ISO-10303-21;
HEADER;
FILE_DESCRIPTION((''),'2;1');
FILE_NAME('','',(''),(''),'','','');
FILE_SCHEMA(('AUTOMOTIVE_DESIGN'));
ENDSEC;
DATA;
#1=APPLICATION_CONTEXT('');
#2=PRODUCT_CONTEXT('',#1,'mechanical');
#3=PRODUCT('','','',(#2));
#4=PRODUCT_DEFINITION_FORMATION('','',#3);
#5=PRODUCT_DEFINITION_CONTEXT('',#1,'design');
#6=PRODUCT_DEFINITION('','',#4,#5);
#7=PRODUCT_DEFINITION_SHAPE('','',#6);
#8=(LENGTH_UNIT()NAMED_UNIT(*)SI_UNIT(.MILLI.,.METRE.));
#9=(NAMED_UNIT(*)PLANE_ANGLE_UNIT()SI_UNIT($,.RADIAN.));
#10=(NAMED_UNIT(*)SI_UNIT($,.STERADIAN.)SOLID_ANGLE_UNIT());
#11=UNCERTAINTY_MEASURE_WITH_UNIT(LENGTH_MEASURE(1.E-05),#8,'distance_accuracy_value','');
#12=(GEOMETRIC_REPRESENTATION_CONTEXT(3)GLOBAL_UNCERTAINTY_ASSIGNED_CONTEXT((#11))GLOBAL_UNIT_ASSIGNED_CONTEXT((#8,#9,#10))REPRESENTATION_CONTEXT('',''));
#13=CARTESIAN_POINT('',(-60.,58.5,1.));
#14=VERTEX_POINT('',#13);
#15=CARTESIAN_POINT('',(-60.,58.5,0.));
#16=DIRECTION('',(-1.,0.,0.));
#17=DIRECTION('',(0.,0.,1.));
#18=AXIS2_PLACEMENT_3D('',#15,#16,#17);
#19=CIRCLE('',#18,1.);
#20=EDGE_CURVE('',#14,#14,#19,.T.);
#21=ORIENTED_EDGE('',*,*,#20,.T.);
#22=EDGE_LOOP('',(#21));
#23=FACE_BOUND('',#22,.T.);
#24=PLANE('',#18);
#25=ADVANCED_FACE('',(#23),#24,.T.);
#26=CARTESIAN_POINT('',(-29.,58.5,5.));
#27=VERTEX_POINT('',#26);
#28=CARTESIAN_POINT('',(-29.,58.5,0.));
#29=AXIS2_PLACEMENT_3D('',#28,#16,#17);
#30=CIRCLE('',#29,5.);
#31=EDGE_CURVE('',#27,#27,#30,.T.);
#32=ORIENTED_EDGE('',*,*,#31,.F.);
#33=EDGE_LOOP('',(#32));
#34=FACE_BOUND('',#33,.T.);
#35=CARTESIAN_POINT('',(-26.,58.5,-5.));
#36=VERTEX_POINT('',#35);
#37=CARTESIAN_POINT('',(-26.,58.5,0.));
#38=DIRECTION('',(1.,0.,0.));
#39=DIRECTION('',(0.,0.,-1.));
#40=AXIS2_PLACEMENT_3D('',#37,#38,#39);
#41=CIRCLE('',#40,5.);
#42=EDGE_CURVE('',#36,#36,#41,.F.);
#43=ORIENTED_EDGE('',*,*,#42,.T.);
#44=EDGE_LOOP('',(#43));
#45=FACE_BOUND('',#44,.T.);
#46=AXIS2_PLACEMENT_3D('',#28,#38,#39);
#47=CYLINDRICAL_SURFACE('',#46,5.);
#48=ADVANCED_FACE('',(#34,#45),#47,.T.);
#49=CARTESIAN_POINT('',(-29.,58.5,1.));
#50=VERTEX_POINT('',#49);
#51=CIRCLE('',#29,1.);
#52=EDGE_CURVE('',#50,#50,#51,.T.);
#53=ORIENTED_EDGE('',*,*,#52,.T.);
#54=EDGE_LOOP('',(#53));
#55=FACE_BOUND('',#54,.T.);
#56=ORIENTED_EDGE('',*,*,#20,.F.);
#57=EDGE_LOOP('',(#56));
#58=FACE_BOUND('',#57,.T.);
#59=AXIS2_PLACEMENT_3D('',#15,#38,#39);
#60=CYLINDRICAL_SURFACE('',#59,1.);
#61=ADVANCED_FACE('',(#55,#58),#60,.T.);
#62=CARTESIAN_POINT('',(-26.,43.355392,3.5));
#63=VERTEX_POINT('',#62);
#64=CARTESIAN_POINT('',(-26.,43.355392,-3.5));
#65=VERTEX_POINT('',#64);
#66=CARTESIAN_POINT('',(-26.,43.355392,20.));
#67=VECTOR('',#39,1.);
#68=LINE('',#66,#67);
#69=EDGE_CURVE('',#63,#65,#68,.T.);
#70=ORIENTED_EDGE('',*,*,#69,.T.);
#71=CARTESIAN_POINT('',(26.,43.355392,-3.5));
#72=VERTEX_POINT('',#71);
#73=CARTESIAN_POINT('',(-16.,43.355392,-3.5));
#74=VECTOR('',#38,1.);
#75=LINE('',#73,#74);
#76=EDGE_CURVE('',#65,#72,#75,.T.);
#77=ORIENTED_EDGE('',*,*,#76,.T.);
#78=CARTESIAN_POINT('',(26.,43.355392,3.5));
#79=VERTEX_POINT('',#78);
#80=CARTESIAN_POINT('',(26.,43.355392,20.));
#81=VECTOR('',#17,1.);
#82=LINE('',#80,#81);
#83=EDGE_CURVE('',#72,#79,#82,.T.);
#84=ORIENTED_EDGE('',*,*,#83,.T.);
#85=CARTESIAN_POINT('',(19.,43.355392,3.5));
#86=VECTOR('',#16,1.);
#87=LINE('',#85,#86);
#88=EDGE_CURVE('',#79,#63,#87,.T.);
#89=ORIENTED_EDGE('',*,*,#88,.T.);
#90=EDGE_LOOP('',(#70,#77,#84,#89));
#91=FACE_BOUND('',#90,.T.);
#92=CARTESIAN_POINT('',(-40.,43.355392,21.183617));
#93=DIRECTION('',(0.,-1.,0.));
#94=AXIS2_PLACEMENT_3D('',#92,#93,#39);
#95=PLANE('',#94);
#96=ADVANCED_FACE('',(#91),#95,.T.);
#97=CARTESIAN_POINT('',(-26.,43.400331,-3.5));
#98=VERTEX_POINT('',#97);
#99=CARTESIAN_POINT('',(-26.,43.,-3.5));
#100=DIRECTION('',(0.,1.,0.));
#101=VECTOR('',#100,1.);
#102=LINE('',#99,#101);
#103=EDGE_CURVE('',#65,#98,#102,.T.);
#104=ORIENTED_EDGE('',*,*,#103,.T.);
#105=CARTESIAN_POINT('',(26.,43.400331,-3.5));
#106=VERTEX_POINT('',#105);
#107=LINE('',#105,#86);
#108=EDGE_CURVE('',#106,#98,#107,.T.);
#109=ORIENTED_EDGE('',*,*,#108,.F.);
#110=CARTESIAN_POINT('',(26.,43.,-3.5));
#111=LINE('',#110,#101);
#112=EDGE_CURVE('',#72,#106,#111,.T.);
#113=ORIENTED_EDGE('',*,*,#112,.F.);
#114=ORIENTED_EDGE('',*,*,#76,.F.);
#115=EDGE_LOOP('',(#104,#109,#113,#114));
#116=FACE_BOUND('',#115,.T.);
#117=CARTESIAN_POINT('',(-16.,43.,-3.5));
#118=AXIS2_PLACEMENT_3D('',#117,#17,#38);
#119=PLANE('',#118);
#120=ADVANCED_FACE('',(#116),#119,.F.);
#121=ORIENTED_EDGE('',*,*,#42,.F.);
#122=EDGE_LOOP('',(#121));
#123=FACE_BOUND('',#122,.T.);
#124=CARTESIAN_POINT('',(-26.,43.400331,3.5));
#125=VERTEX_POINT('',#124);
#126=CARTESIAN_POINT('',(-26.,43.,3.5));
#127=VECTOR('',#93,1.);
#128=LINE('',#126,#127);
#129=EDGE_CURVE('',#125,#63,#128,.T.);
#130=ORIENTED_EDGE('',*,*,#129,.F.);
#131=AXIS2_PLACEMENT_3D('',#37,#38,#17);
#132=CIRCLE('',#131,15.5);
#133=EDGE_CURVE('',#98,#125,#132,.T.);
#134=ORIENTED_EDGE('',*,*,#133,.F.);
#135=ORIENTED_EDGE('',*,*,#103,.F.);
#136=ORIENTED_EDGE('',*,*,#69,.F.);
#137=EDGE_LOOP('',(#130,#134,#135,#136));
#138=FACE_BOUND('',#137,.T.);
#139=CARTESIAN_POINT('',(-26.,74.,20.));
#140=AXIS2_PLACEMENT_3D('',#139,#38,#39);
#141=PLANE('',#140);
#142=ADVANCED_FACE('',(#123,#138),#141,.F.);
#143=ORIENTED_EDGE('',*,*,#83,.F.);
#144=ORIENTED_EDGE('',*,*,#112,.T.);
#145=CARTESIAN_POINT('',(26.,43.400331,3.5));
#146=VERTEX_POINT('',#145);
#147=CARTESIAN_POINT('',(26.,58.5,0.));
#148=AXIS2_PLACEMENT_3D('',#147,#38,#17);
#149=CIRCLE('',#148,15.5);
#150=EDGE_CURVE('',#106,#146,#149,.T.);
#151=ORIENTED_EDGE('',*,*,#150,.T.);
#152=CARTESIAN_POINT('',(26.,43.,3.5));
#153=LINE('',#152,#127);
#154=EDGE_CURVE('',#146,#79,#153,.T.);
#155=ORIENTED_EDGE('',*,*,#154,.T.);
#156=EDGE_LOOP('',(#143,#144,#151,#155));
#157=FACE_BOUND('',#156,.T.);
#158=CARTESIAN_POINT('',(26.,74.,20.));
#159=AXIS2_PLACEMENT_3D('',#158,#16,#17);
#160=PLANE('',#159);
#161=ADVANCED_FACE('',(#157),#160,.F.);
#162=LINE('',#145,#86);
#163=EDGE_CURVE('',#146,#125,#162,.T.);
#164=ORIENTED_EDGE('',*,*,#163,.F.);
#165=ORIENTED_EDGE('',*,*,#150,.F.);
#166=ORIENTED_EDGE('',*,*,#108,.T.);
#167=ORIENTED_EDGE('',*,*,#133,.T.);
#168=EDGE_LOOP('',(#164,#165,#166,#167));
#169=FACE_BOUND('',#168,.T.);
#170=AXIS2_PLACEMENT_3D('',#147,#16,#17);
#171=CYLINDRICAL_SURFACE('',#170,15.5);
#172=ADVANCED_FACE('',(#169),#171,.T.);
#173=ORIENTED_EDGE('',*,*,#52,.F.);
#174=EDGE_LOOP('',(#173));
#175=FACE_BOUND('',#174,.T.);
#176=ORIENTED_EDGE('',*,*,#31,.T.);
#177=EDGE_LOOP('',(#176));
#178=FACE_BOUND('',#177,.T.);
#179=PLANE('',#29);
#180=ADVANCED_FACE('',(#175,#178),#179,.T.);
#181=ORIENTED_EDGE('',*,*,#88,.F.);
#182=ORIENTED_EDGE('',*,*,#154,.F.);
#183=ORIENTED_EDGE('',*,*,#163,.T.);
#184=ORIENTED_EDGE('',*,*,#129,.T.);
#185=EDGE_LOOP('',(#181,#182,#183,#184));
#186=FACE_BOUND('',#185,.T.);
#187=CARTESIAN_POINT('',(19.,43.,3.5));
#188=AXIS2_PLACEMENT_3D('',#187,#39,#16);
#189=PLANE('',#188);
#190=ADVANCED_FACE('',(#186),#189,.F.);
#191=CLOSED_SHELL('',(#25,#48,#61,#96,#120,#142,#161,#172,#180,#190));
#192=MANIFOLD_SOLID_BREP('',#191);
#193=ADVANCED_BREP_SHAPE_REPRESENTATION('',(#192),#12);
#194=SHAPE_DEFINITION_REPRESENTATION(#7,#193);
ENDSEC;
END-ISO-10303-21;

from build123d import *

# Parameters (mm, degrees)
SKETCH1_W           = 52
SKETCH1_H           = 40
BOSS_EXTRUDE1_DEPTH = 3
SKETCH2_W           = 35
SKETCH2_H           = 7
BOSS_EXTRUDE2_DEPTH = 40
CUT_EXTRUDE1_DEPTH  = 56.472966389
SKETCH4_W           = 52
SKETCH4_H           = 40
BOSS_EXTRUDE3_DEPTH = 31
CUT_EXTRUDE10_DEPTH = 93.628289415
CUT_EXTRUDE11_DEPTH = 93.628289415
SKETCH8_R           = 5
BOSS_EXTRUDE4_DEPTH = 3
SKETCH9_R           = 1
BOSS_EXTRUDE5_DEPTH = 31
SKETCH10_W          = 43.211860489
SKETCH10_H          = 44.174227803
CUT_EXTRUDE12_DEPTH = 70


with BuildPart() as part:
    # Sketch1 → Boss-Extrude1 (new body)
    with BuildSketch(Plane(origin=(0, 0, 0), x_dir=(1, 0, 0), z_dir=(0, 1, 0))):
        Rectangle(SKETCH1_W, SKETCH1_H)
    extrude(amount=BOSS_EXTRUDE1_DEPTH)

    # Sketch2 → Boss-Extrude2 (add)
    with BuildSketch(Plane(origin=(0, 3, 0), x_dir=(1, 0, 0), z_dir=(0, 1, 0))):
        with Locations((1.5, 0)):
            Rectangle(SKETCH2_W, SKETCH2_H)
    extrude(amount=BOSS_EXTRUDE2_DEPTH)

    # Sketch3 → Cut-Extrude1 (cut, through all)
    with BuildSketch(Plane(origin=(0, 0, -3.5), x_dir=(-1, 0, 0), z_dir=(0, 0, -1))):
        Polygon((1, 43), (16, 3), (16, 43), align=None)
    extrude(amount=-CUT_EXTRUDE1_DEPTH, mode=Mode.SUBTRACT)

    # Sketch4 → Boss-Extrude3 (add)
    with BuildSketch(Plane(origin=(0, 43, 0), x_dir=(1, 0, 0), z_dir=(0, 1, 0))):
        Rectangle(SKETCH4_W, SKETCH4_H)
    extrude(amount=BOSS_EXTRUDE3_DEPTH)

    # Sketch5 → Cut-Extrude10 (cut, through all)
    with BuildSketch(Plane.ZY.offset(26)):
        with BuildLine():
            Line((-20, 43), (-20, 74))
            Line((-20, 74), (0, 74))
            ThreePointArc((0, 74), (-15.399591999, 60.261410302), (-3.5, 43.400331129))
            Line((-3.5, 43.400331129), (-3.5, 43))
            Line((-3.5, 43), (-20, 43))
        make_face()
    extrude(amount=-CUT_EXTRUDE10_DEPTH, mode=Mode.SUBTRACT)

    # Sketch7 → Cut-Extrude11 (cut, through all)
    with BuildSketch(Plane.ZY.offset(26)):
        with BuildLine():
            Line((0, 74), (20, 74))
            Line((20, 74), (20, 43))
            Line((20, 43), (3.5, 43))
            Line((3.5, 43), (3.5, 43.400331129))
            ThreePointArc((3.5, 43.400331129), (15.399591999, 60.261410302), (0, 74))
        make_face()
    extrude(amount=-CUT_EXTRUDE11_DEPTH, mode=Mode.SUBTRACT)

    # Sketch8 → Boss-Extrude4 (add)
    with BuildSketch(Plane.ZY.offset(26)):
        with Locations(Location((0, 58.5, 0), (0, 0, 180))):
            Circle(SKETCH8_R)
    extrude(amount=BOSS_EXTRUDE4_DEPTH)

    # Sketch9 → Boss-Extrude5 (add)
    with BuildSketch(Plane.ZY.offset(29)):
        with Locations((0, 58.5)):
            Circle(SKETCH9_R)
    extrude(amount=BOSS_EXTRUDE5_DEPTH)

    # Sketch10 → Cut-Extrude12 (cut)
    with BuildSketch(Plane.ZY.offset(-30)):
        with Locations((-0.422313508, 21.268278388)):
            Rectangle(SKETCH10_W, SKETCH10_H)
    extrude(amount=CUT_EXTRUDE12_DEPTH, mode=Mode.SUBTRACT)


solid = part.part
